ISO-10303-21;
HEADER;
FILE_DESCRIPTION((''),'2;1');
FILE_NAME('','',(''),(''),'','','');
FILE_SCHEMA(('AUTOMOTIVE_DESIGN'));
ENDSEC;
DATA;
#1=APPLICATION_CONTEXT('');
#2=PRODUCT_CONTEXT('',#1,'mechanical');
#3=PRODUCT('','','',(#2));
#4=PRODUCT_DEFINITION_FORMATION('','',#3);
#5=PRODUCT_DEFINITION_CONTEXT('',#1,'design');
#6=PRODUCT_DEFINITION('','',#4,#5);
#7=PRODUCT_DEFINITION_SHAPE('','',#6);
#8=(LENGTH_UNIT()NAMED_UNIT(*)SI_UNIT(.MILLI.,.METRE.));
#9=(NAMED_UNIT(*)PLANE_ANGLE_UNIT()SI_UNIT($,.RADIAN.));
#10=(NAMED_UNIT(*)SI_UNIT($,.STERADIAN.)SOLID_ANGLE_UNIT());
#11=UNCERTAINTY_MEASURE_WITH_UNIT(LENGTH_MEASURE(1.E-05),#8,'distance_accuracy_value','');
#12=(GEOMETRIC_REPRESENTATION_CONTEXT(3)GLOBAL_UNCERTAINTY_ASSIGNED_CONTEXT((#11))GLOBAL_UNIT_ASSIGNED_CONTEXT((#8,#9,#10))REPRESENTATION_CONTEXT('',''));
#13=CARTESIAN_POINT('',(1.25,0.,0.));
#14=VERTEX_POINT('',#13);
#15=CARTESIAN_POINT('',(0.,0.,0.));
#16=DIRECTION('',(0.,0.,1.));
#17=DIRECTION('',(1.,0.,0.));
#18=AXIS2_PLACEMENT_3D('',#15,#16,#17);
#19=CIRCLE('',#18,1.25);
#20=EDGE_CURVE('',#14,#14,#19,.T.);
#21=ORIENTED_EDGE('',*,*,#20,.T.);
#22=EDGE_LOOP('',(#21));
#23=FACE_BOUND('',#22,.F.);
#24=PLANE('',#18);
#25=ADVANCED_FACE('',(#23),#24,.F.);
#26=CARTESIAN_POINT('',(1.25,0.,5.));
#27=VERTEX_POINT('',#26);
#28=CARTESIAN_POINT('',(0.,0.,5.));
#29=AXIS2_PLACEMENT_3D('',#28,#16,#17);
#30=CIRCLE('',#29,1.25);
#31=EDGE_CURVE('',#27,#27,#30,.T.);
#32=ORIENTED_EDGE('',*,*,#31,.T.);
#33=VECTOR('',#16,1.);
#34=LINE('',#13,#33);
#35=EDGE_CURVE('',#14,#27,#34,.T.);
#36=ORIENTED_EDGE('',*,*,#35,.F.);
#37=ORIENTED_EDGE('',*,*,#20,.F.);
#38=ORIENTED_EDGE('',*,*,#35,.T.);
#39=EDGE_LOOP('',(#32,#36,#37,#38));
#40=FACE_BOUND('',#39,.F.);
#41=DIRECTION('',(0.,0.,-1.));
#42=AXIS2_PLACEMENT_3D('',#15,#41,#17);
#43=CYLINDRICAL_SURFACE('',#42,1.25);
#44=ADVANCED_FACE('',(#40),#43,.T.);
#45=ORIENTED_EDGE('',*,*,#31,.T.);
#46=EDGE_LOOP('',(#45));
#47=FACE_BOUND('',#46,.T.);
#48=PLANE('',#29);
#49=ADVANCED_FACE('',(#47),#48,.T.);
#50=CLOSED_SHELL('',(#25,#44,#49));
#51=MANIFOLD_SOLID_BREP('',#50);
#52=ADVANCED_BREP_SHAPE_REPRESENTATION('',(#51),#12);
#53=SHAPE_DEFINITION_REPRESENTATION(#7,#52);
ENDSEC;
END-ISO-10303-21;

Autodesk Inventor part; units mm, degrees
ref_plane "YZ Plane" through (0, 0, 0) normal (1, 0, 0) x (0, 1, 0)
ref_plane "XZ Plane" through (0, 0, 0) normal (0, 1, 0) x (-1, 0, 0)
ref_plane "XY Plane" through (0, 0, 0) normal (0, 0, 1) x (1, 0, 0)
sketch "Sketch1" plane through (0, 0, 0) normal (0, 0, 1) x (1, 0, 0)
  circle A0 centre (0, 0) radius 1.25
  dimension "d0" = 2.5
extrude "Extrusion1" add sketch "Sketch1" along normal blind 5
sketch "Sketch2" plane through (0, 0, 5) normal (0, 0, 1) x (1, 0, 0)
  circle A0 centre (0, 0) radius 1.25 projected
properties part number "bigblack"
